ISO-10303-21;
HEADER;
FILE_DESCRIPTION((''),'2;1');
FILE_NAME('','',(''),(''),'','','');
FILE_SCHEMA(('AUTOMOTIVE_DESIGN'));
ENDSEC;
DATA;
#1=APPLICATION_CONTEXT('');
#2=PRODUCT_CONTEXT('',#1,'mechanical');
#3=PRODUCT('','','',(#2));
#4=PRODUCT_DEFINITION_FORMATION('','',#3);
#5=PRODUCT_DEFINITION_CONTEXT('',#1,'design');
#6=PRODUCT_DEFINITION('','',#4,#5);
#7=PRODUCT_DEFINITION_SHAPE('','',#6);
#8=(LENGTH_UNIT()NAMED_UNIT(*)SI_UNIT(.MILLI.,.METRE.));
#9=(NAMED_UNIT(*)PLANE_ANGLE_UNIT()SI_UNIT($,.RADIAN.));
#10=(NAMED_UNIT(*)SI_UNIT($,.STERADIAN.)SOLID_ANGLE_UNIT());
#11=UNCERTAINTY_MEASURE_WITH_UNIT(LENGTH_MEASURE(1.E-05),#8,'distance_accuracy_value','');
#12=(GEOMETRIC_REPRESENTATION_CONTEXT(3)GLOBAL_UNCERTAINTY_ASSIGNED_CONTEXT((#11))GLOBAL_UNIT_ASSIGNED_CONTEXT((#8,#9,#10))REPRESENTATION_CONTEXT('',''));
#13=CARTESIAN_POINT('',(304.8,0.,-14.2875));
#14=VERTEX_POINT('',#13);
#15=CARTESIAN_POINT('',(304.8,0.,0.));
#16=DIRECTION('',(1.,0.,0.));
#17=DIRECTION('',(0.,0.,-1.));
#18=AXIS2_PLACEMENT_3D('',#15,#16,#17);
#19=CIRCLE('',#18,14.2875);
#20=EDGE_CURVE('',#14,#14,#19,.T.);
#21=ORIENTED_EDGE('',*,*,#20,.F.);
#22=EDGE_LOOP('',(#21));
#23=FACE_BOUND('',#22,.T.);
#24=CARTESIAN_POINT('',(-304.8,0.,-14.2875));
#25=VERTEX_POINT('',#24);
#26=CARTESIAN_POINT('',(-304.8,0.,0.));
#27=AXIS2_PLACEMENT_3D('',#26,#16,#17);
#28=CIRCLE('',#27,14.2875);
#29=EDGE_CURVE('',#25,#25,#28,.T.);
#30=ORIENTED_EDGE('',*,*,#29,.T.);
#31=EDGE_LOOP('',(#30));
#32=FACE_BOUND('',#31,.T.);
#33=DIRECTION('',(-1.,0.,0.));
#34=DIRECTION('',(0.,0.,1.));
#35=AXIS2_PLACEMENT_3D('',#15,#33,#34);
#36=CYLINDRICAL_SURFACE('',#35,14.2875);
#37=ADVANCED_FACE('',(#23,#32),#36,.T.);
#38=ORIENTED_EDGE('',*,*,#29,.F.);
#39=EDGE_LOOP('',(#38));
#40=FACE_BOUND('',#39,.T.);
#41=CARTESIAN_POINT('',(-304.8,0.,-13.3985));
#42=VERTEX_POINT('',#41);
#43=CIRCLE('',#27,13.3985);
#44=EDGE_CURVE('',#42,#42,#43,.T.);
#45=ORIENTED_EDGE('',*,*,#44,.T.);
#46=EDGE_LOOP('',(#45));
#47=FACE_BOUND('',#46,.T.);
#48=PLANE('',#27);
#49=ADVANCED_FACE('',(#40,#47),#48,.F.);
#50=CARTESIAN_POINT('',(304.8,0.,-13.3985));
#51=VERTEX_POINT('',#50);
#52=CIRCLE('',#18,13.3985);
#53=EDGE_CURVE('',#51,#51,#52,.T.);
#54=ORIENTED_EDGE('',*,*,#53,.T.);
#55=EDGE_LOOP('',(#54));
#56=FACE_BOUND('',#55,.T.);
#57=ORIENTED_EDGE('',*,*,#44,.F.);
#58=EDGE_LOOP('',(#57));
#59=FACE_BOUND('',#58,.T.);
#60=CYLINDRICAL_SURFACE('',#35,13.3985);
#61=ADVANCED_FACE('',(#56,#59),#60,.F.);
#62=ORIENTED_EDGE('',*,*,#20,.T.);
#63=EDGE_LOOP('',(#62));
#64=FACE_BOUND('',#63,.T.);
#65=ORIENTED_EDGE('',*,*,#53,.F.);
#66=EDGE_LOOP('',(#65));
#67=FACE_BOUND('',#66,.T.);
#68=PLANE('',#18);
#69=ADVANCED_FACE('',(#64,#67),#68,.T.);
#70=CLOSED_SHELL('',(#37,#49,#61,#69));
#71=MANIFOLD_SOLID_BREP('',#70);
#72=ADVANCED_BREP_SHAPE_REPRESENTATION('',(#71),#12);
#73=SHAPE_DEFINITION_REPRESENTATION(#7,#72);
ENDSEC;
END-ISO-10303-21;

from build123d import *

# Parameters (mm, degrees)
SKETCH1_R      = 14.2875
SKETCH1_R_2    = 13.3985
EXTRUDE1_DEPTH = 304.8


with BuildPart() as part:
    # Sketch1 → Extrude1 (new body, symmetric)
    with BuildSketch(Plane(origin=(0, 0, 0), x_dir=(0, 0, -1), z_dir=(1, 0, 0))):
        Circle(SKETCH1_R)
        Circle(SKETCH1_R_2, mode=Mode.SUBTRACT)
    extrude(amount=EXTRUDE1_DEPTH, both=True)


solid = part.part
